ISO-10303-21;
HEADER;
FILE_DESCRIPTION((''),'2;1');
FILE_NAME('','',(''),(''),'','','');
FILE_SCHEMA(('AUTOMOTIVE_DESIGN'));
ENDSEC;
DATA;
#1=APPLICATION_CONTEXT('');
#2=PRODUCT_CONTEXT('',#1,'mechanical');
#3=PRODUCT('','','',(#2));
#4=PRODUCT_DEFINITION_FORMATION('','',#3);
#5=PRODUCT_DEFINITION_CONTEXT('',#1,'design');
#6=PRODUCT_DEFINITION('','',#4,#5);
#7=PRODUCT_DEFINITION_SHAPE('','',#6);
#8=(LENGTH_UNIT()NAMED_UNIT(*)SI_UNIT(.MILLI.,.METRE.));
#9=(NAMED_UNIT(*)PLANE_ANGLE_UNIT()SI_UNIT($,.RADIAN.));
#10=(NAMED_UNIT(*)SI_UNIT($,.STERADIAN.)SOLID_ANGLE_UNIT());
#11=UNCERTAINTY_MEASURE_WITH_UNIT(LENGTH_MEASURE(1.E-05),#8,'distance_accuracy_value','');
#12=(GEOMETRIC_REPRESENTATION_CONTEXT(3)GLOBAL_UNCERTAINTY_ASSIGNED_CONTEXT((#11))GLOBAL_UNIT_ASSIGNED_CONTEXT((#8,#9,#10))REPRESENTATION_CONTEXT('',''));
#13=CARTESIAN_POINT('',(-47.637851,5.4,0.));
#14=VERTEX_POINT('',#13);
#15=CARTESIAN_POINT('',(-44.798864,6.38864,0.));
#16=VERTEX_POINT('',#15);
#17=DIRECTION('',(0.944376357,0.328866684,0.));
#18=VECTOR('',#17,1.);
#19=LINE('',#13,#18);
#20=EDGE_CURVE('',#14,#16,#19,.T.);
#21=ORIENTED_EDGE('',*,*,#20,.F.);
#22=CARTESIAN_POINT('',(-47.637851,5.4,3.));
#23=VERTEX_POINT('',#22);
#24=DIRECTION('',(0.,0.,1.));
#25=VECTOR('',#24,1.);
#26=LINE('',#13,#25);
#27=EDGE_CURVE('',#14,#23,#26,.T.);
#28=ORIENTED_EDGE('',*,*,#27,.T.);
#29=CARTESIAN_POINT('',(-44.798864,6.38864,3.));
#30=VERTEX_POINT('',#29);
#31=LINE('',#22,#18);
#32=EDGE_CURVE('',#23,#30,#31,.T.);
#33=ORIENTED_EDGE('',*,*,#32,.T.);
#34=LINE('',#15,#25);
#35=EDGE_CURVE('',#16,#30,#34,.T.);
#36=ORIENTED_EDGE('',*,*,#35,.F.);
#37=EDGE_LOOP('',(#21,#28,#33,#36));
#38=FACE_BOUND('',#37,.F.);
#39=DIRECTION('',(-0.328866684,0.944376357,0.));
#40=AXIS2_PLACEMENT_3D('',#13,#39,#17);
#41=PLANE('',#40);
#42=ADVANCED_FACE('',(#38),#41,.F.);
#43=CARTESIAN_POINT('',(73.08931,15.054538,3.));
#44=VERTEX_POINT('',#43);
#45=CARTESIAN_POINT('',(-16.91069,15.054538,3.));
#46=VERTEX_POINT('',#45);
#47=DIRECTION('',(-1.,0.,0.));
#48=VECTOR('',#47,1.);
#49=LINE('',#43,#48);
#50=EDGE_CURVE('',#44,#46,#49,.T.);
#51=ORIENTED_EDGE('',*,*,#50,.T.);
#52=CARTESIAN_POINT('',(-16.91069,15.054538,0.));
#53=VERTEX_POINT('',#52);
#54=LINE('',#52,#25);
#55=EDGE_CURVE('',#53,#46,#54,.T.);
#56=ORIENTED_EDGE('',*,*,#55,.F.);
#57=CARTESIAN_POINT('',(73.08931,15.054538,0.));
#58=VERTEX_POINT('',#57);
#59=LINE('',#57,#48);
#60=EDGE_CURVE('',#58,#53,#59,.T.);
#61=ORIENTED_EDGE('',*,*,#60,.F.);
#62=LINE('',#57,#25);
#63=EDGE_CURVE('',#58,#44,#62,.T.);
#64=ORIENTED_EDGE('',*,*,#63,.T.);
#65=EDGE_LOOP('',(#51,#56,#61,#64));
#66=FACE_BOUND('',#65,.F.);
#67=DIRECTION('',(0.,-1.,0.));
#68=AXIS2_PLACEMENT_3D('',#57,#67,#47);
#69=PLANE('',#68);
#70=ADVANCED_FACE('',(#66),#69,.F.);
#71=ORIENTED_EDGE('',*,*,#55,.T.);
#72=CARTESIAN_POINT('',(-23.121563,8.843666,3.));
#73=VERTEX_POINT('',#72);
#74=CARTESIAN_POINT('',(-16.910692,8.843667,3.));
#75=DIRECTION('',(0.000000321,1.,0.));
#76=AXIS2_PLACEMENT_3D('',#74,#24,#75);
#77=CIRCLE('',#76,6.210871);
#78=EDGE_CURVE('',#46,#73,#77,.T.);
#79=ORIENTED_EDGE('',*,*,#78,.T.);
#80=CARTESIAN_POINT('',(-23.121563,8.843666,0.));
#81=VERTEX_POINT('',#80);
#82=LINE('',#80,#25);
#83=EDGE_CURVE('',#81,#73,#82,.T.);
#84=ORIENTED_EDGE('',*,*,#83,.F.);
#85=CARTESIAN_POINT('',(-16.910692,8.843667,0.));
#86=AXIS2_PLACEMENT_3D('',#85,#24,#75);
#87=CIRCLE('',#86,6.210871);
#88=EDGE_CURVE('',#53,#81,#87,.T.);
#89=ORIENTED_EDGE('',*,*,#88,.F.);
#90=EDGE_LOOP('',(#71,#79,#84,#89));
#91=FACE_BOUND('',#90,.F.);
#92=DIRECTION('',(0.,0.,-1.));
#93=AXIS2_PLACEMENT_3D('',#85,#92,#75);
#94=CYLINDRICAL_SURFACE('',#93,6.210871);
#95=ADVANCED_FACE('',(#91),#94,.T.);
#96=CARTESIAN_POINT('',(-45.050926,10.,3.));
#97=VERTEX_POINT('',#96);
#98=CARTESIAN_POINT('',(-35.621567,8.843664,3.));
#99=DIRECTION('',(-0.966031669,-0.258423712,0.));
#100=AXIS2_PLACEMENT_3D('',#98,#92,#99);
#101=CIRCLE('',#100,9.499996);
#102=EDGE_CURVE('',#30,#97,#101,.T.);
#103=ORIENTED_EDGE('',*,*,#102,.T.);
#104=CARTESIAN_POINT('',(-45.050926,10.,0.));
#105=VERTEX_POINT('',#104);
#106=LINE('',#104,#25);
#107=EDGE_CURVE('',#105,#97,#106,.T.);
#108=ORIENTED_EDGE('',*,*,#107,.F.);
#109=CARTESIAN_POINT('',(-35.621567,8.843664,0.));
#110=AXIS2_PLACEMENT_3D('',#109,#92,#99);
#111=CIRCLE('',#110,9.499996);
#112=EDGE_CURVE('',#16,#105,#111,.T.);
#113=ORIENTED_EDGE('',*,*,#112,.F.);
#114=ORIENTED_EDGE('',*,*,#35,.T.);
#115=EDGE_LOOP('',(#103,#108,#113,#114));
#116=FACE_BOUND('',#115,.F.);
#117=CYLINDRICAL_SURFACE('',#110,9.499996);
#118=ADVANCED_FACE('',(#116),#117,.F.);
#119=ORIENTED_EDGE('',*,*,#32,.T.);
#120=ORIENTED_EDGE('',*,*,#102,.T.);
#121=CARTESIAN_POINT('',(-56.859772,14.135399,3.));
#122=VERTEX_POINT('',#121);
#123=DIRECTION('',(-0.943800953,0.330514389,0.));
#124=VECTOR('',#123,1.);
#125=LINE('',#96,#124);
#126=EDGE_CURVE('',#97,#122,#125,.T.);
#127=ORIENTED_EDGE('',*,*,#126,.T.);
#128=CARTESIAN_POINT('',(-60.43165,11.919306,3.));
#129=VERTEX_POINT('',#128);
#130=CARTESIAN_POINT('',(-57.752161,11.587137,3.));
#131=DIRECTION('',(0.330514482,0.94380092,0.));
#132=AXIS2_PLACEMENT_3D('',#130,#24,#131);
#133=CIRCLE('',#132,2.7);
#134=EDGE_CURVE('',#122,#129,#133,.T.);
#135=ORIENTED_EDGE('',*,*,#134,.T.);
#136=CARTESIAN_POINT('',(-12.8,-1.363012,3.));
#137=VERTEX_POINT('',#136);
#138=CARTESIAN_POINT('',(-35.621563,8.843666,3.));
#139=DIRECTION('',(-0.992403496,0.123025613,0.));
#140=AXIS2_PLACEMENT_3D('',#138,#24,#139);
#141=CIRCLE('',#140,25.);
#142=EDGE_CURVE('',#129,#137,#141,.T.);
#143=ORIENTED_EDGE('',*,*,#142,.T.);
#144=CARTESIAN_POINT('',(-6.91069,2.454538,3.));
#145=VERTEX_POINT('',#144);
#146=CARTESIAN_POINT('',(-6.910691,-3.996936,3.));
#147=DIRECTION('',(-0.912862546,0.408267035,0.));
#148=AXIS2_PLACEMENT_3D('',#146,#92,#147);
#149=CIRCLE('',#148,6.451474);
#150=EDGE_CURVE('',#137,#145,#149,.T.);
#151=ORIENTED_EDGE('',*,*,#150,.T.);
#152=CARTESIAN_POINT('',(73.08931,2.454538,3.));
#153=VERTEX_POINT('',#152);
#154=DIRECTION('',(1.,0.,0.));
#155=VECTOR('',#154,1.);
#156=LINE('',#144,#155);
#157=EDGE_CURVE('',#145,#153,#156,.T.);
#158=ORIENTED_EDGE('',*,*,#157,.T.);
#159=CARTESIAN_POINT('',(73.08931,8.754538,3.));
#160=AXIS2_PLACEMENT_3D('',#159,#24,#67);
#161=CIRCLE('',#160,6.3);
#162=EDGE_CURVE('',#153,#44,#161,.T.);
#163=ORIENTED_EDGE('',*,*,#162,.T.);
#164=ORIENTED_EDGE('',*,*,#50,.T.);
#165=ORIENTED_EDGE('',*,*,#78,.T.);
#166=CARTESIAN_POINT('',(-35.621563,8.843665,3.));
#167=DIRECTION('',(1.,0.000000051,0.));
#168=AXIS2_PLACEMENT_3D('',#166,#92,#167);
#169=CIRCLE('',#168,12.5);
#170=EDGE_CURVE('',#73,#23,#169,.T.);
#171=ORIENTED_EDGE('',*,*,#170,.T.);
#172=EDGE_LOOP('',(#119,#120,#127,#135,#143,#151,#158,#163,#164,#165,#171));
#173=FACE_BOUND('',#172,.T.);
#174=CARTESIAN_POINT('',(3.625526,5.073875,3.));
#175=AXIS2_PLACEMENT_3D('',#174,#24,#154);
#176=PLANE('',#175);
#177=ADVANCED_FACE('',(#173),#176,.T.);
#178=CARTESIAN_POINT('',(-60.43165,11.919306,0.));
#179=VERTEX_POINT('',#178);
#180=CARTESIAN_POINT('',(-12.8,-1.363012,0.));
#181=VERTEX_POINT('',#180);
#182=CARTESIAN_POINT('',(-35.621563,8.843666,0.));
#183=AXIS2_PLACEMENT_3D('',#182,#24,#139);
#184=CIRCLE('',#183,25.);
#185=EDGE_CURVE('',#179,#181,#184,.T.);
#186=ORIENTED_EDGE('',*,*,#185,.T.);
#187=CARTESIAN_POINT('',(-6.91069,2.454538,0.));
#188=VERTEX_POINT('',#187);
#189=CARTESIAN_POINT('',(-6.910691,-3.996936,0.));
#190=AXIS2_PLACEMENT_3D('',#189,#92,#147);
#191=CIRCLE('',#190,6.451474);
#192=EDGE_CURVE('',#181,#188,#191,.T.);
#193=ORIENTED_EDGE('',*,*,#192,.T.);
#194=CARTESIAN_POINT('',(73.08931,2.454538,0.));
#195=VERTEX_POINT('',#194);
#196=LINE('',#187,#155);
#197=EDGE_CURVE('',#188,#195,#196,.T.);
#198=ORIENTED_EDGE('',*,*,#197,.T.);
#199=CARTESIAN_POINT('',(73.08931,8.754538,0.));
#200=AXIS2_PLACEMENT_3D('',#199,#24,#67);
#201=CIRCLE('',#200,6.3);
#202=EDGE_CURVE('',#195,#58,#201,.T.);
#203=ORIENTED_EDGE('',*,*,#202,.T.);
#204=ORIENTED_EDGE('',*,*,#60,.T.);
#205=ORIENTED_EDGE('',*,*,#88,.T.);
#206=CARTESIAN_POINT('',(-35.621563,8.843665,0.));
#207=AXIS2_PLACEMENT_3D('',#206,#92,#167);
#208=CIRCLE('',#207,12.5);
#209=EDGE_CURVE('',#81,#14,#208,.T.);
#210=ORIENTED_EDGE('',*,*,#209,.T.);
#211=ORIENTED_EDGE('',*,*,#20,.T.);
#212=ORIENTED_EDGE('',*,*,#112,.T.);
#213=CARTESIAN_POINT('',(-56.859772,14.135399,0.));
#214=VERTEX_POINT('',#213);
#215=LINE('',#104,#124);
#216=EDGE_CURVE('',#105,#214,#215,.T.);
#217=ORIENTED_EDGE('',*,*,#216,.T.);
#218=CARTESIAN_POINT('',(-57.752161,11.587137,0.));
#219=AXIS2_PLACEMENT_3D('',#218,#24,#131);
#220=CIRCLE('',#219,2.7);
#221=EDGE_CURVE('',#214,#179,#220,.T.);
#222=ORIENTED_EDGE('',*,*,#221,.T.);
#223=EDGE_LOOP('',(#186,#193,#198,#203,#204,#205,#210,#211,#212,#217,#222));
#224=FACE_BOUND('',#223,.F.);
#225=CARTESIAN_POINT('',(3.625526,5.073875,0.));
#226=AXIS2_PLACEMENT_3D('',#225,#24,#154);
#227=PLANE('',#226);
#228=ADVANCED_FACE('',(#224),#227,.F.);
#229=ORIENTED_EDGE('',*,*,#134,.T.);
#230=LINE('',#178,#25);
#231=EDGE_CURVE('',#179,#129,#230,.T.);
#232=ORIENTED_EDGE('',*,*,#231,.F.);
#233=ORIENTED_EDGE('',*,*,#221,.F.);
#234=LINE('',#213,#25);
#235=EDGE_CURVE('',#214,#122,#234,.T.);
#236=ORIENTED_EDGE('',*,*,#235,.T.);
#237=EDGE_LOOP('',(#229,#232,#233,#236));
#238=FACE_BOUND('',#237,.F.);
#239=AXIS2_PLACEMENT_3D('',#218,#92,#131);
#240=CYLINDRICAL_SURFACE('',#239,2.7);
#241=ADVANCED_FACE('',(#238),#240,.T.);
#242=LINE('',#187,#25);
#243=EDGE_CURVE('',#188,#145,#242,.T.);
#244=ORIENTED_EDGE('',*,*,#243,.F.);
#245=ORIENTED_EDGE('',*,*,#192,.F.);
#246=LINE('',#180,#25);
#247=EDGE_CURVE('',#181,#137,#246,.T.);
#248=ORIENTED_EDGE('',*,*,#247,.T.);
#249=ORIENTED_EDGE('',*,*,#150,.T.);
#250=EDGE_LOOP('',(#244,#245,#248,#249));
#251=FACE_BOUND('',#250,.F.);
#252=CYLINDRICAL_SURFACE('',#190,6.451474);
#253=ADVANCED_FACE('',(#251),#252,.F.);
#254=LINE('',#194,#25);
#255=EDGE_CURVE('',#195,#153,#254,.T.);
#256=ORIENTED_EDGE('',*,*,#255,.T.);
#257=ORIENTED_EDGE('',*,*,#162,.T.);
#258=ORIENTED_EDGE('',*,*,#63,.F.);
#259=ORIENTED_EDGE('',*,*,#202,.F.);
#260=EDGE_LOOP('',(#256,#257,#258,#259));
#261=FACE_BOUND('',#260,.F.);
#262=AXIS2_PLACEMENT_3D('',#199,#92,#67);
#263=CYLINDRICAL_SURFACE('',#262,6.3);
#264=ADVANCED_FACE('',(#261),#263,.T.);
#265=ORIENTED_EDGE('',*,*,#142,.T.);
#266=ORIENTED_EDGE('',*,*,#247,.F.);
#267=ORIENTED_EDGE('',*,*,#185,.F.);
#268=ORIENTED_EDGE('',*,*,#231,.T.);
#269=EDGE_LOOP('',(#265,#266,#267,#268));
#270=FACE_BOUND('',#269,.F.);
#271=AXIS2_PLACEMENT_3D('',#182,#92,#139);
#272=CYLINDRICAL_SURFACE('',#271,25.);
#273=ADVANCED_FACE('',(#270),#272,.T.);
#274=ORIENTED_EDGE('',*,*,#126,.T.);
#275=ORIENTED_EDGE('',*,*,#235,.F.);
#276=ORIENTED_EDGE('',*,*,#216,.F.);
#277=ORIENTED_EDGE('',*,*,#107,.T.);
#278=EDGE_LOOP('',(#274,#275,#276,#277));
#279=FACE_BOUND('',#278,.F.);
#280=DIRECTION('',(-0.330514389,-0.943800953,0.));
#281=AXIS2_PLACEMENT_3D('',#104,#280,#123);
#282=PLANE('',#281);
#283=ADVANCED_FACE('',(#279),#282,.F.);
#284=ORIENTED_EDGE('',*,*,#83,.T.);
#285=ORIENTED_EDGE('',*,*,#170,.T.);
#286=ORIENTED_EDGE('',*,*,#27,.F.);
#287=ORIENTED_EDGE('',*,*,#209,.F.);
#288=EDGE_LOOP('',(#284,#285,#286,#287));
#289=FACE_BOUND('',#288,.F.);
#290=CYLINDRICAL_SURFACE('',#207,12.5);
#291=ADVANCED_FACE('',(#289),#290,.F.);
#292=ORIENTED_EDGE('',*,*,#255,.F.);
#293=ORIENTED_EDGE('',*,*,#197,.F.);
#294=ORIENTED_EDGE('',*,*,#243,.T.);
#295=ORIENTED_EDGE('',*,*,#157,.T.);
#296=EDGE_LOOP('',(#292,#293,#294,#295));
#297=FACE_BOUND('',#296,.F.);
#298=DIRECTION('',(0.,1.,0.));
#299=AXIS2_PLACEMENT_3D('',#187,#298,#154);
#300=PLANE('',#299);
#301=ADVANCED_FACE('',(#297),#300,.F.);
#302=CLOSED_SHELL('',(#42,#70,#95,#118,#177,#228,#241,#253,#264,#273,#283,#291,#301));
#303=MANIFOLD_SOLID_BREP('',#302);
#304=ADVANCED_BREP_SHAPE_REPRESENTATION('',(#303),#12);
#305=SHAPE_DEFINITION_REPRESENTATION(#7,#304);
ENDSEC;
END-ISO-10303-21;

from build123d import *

# Parameters (mm, degrees)
F2_DEPTH = 3


with BuildPart() as f2:
    # F1 (on Top) → F2 (new body)
    with BuildSketch(Plane.XY):
        with BuildLine():
            ThreePointArc((-12.8, -1.363012), (-10.41988, 1.416668), (-6.91069, 2.454538))
            Line((-6.91069, 2.454538), (73.08931, 2.454538))
            ThreePointArc((73.08931, 2.454538), (79.38931, 8.754538), (73.08931, 15.054538))
            Line((73.08931, 15.054538), (-16.91069, 15.054538))
            ThreePointArc((-16.91069, 15.054538), (-21.302441, 13.235416), (-23.121563, 8.843666))
            ThreePointArc((-23.121563, 8.843666), (-33.882827, -3.534816), (-47.637851, 5.4))
            Line((-47.637851, 5.4), (-44.798864, 6.38864))
            ThreePointArc((-44.798864, 6.38864), (-45.098507, 8.182202), (-45.050926, 10))
            Line((-45.050926, 10), (-56.859772, 14.135399))
            ThreePointArc((-56.859772, 14.135399), (-59.175607, 13.881434), (-60.43165, 11.919306))
            ThreePointArc((-60.43165, 11.919306), (-42.336736, -15.237581), (-12.8, -1.363012))
        make_face()
    extrude(amount=F2_DEPTH)


solid = f2.part
